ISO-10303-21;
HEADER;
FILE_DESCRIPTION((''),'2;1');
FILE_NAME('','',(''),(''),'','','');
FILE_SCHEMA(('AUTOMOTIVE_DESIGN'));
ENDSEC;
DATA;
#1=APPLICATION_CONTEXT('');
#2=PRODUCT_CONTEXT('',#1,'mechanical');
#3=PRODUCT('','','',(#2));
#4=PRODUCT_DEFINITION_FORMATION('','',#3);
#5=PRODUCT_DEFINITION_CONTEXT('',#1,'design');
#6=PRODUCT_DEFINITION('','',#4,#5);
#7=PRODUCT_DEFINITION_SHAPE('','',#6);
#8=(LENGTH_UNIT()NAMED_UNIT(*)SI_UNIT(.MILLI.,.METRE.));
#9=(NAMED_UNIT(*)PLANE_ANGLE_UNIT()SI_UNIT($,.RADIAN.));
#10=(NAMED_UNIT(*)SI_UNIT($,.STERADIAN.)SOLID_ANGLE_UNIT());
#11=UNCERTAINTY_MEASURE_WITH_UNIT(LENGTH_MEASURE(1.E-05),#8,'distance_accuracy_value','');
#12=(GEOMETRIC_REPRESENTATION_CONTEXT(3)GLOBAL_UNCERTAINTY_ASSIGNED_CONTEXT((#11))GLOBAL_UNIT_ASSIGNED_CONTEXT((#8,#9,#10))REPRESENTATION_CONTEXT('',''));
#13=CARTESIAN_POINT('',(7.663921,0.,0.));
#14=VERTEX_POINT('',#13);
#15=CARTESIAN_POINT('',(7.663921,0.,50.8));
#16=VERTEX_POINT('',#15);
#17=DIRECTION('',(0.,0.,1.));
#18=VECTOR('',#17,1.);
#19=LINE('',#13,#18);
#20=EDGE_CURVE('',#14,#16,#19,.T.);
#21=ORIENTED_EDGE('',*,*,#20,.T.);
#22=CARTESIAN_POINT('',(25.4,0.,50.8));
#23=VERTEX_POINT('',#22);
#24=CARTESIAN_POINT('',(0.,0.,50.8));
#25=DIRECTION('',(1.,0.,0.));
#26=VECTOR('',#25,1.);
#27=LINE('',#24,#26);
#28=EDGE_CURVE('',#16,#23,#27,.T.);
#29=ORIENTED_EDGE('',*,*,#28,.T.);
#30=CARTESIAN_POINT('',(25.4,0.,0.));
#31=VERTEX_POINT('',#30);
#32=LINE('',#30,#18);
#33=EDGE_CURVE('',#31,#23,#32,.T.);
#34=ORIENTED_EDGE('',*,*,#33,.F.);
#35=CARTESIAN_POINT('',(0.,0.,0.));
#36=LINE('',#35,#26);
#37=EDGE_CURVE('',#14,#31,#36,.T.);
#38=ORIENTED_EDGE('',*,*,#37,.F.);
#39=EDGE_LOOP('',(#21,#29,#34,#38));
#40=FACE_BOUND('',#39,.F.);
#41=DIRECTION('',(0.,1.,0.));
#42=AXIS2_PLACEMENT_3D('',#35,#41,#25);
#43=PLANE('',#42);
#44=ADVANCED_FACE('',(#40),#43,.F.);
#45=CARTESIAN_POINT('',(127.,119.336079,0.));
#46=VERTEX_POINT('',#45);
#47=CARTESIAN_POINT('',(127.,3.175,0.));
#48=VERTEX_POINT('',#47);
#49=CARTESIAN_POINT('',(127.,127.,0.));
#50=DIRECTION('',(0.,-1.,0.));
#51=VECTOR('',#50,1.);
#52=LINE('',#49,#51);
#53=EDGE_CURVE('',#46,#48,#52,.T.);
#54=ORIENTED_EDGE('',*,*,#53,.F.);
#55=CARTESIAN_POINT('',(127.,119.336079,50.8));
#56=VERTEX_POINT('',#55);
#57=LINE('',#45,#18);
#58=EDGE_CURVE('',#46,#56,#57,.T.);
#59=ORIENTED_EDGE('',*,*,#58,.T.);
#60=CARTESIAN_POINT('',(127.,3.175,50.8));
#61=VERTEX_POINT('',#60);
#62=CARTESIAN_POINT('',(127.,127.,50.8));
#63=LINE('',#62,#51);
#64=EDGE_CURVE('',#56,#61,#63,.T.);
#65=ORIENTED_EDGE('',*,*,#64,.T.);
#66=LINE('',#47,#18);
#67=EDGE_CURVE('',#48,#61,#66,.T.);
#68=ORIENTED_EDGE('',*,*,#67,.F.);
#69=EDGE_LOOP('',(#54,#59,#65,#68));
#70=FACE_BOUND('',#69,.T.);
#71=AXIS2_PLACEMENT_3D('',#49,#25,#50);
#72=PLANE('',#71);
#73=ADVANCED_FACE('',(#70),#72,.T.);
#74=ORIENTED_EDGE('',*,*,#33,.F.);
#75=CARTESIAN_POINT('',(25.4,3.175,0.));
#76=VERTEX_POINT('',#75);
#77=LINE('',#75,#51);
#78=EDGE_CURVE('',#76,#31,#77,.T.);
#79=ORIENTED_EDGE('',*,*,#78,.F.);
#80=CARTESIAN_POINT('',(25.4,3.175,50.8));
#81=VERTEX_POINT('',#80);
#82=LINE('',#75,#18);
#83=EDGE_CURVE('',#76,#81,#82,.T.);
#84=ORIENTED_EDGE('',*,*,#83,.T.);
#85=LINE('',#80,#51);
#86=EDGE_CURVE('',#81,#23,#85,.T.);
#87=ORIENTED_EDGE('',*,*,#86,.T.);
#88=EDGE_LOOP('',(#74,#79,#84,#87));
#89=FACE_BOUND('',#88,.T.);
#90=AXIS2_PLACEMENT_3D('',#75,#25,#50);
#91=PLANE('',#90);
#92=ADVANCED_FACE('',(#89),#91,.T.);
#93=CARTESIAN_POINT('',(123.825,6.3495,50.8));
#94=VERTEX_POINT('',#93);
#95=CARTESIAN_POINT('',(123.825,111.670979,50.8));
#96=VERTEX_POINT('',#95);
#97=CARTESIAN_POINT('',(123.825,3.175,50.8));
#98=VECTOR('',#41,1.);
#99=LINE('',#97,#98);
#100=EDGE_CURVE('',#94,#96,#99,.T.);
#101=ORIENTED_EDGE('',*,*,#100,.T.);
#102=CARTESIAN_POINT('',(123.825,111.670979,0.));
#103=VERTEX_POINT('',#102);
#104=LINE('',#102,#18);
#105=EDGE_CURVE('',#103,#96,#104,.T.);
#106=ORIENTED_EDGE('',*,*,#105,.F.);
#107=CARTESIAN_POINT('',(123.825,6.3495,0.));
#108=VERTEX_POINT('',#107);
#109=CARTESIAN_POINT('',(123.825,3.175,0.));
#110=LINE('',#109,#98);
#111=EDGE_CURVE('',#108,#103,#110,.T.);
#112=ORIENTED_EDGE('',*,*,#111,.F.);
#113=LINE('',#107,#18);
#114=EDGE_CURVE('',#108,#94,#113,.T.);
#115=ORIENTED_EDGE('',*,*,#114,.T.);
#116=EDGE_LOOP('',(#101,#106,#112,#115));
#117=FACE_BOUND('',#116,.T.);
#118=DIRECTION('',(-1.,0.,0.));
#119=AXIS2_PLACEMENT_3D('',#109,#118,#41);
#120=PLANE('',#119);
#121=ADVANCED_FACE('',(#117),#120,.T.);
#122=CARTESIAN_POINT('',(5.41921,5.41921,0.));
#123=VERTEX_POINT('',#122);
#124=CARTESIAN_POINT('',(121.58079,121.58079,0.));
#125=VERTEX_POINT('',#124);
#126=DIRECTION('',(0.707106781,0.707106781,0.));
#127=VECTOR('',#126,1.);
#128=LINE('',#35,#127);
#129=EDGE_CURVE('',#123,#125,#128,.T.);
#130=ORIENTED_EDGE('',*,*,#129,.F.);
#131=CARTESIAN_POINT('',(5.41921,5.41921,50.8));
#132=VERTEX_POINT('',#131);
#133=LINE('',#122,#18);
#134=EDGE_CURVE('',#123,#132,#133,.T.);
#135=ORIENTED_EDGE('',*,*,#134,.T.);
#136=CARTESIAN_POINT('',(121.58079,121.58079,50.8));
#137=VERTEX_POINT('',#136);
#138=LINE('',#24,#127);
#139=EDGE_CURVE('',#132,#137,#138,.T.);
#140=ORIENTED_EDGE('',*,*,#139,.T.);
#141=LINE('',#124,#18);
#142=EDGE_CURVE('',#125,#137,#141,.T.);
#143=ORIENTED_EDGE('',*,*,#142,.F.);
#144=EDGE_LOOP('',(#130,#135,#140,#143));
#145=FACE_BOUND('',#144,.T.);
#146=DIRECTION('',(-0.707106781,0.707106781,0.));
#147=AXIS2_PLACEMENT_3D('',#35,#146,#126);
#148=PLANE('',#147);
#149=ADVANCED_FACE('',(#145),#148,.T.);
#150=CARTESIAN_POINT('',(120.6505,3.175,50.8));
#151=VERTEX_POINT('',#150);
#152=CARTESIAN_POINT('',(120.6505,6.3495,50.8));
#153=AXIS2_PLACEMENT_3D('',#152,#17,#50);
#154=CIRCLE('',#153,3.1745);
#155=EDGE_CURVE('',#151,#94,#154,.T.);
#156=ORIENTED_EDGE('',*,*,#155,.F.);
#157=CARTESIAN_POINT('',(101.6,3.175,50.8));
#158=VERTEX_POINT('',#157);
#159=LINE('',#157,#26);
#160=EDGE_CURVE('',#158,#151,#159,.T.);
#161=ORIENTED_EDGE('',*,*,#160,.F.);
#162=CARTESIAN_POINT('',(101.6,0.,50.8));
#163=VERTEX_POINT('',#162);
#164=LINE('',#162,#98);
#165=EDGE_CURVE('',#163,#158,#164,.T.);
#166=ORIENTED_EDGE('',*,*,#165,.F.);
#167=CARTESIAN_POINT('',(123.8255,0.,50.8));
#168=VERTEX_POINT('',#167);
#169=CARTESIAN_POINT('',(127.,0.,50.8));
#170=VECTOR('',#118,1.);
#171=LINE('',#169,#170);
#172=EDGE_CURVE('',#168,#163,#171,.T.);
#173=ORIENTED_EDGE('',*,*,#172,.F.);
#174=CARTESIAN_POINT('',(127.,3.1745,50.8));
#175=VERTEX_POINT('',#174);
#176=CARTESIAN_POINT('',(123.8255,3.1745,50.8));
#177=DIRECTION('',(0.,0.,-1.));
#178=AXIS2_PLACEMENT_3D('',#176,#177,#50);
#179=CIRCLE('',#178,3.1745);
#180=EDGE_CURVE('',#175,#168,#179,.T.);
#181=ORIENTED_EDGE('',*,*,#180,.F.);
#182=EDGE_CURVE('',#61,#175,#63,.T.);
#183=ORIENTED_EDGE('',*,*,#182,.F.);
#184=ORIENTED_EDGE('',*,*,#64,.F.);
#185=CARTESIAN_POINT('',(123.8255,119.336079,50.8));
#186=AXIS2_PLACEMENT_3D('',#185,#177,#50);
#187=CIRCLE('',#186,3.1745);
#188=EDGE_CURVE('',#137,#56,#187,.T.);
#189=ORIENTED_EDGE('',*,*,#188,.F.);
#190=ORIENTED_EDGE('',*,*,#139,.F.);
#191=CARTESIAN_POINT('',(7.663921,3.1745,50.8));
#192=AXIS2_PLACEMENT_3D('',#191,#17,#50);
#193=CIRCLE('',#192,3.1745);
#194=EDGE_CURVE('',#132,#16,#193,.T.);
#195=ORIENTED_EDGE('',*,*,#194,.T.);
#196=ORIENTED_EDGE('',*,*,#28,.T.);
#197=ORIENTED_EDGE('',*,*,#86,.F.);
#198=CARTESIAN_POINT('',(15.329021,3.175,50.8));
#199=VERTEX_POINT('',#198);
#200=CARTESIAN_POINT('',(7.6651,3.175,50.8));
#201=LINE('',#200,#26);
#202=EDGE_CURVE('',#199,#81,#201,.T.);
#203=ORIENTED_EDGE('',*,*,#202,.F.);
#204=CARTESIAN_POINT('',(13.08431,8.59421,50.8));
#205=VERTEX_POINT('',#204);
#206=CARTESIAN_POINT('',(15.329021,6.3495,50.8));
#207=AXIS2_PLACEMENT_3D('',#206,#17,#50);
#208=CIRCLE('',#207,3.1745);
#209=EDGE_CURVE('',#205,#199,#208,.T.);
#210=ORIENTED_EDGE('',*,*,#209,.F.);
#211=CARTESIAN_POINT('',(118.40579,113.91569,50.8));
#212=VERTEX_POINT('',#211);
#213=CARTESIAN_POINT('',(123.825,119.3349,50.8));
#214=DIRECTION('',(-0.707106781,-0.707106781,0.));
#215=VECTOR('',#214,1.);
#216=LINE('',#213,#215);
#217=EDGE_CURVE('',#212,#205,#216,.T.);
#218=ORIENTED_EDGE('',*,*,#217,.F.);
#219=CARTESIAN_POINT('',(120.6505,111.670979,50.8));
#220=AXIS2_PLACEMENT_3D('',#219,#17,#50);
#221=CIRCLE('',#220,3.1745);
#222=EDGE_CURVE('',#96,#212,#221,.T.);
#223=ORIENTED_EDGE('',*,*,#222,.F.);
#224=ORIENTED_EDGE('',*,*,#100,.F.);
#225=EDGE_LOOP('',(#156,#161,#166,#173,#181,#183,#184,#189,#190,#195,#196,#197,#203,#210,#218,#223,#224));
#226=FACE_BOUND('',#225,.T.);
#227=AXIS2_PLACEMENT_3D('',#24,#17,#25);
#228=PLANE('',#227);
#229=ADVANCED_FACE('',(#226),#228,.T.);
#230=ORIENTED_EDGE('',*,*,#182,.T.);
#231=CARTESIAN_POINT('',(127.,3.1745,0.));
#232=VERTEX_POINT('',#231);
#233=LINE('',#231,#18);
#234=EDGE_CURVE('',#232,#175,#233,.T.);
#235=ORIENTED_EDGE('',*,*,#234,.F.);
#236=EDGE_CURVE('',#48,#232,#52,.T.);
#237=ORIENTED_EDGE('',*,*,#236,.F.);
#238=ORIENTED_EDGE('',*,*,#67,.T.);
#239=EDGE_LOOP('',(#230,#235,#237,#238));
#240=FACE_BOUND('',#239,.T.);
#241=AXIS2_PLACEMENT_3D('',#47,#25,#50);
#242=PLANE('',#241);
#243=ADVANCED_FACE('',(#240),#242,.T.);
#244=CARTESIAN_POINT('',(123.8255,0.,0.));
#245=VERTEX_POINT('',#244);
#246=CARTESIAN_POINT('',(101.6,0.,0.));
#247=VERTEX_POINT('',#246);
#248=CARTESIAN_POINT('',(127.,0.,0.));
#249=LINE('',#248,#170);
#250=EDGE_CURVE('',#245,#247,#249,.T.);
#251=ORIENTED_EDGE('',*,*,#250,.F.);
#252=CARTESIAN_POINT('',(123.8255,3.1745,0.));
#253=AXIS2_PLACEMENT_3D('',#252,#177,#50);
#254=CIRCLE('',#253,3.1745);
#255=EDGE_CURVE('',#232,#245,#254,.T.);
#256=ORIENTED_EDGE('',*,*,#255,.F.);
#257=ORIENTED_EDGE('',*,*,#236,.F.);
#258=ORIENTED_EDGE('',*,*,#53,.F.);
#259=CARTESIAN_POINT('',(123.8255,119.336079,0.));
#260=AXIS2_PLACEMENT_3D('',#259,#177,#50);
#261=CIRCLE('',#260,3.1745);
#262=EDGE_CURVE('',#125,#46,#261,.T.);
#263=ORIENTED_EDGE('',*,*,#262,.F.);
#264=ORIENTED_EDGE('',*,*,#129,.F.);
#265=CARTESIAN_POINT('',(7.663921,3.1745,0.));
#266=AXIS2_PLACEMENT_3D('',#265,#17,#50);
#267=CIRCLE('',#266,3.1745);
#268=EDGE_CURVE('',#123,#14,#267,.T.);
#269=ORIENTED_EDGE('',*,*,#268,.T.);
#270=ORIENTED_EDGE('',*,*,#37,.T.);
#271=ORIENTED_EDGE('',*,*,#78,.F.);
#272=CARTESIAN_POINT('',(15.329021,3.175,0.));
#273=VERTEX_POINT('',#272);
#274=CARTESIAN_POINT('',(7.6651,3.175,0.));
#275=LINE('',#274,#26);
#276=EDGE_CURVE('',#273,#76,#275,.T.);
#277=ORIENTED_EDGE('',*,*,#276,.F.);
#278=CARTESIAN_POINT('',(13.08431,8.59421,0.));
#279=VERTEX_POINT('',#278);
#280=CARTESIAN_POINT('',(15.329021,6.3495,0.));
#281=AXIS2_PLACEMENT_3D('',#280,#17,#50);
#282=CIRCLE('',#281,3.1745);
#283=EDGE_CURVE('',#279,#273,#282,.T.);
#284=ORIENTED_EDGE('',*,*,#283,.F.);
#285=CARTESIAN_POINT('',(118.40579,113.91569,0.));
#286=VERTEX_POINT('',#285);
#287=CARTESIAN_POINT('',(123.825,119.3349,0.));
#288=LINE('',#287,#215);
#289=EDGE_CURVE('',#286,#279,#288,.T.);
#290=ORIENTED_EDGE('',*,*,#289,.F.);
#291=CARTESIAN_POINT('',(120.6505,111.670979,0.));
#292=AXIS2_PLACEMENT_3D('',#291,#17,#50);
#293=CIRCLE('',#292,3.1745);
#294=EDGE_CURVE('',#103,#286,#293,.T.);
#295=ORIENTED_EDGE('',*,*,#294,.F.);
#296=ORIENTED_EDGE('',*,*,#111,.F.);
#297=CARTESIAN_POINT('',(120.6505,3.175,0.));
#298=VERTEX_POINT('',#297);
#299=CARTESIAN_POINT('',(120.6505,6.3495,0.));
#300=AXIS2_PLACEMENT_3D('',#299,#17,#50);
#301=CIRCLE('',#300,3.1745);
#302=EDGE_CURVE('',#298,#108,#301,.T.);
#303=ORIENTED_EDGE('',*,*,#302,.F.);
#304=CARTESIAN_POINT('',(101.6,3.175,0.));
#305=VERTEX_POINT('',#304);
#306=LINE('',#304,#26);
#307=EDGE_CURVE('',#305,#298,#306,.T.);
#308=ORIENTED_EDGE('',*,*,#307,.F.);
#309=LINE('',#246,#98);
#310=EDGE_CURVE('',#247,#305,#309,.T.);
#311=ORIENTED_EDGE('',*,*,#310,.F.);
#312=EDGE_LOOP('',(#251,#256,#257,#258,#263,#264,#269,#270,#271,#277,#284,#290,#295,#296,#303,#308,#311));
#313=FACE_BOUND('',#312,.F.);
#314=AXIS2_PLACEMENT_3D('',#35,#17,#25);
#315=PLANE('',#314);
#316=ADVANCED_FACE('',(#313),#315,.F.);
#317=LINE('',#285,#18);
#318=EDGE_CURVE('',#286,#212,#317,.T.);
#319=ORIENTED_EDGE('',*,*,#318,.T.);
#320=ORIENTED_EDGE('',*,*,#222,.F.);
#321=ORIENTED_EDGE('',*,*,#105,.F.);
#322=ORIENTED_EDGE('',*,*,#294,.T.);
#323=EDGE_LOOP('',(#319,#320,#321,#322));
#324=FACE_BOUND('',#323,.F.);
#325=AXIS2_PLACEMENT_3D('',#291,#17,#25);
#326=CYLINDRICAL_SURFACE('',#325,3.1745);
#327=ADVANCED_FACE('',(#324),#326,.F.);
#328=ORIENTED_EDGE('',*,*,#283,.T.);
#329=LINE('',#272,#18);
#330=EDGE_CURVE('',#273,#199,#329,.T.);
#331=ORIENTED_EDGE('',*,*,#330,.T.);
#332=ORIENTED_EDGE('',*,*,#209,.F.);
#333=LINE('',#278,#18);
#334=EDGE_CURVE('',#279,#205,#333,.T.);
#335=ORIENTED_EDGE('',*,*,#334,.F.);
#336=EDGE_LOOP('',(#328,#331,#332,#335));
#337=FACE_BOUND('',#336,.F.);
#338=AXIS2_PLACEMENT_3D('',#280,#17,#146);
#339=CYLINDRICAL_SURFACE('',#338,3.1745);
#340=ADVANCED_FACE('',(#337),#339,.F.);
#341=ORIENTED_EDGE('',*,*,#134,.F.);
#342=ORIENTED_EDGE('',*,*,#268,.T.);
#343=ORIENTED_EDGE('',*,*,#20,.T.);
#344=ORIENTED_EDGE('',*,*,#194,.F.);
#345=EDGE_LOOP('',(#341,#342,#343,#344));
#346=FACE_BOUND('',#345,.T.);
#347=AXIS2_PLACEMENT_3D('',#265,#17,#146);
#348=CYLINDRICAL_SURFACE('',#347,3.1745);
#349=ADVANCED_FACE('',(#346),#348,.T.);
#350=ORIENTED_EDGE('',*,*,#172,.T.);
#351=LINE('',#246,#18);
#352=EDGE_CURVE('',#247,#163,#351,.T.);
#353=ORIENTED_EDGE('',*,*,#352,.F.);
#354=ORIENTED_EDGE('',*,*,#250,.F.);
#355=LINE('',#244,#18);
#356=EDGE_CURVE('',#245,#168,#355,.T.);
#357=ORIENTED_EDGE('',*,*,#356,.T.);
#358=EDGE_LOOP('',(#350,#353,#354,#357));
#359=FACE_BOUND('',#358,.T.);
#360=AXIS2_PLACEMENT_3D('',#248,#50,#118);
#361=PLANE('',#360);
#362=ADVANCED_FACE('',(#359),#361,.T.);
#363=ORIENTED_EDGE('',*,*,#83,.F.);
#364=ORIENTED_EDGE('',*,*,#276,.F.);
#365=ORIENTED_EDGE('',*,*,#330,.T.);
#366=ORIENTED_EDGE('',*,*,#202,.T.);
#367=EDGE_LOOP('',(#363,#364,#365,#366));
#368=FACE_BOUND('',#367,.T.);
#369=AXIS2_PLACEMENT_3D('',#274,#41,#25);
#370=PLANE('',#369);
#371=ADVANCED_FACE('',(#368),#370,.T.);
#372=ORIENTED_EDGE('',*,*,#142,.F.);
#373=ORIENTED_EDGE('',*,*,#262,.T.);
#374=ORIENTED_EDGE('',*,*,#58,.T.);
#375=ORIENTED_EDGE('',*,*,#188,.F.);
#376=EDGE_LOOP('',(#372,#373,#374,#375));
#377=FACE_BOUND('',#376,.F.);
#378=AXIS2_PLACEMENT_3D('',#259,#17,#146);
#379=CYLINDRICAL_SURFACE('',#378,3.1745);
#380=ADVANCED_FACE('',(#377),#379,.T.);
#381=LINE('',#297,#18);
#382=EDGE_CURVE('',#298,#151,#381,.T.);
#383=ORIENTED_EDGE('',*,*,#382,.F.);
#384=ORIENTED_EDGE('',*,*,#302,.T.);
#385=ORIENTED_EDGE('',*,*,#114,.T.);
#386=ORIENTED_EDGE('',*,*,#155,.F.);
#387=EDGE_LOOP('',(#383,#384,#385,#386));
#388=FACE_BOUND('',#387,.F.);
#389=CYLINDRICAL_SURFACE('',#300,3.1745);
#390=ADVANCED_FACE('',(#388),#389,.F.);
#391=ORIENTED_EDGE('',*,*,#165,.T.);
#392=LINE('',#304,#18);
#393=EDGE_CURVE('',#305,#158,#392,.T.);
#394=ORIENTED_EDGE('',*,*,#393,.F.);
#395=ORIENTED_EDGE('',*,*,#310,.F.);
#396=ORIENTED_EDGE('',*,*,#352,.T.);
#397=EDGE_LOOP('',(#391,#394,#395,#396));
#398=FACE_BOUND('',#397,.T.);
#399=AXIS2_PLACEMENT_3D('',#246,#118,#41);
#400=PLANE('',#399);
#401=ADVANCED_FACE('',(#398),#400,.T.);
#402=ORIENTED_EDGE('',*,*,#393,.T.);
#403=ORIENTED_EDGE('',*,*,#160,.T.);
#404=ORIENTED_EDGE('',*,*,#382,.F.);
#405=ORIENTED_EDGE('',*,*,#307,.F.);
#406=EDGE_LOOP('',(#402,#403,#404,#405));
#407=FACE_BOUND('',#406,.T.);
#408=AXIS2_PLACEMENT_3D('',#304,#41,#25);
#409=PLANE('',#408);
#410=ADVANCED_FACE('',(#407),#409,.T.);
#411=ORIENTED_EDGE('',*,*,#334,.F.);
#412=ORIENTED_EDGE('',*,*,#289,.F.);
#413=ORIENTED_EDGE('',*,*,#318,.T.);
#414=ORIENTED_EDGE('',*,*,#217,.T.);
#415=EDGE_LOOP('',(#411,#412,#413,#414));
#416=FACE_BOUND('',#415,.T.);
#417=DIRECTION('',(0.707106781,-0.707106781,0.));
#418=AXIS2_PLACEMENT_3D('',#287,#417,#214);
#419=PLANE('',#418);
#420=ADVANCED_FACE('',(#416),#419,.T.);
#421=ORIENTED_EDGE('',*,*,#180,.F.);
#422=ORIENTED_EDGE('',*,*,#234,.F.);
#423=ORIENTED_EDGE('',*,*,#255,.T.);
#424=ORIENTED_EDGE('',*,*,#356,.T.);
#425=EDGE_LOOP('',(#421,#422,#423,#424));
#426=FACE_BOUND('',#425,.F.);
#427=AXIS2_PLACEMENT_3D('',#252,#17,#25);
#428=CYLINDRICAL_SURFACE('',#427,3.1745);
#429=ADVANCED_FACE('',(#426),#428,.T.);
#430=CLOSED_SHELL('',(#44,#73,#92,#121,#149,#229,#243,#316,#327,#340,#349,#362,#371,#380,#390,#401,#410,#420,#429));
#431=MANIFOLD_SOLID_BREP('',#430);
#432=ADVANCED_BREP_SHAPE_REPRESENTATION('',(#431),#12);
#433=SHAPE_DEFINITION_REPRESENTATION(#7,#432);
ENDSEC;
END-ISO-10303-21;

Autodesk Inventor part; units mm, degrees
ref_plane "YZ Plane" through (0, 0, 0) normal (1, 0, 0) x (0, 1, 0)
ref_plane "XZ Plane" through (0, 0, 0) normal (0, 1, 0) x (-1, 0, 0)
ref_plane "XY Plane" through (0, 0, 0) normal (0, 0, 1) x (1, 0, 0)
sketch "Sketch1" plane through (0, 0, 0) normal (0, 0, 1) x (1, 0, 0)
  line L0 (0, 0) -> (25.4, 0)
  line L1 (0, 0) -> (127, 127)
  line L2 (127, 127) -> (127, 0)
  line L3 (123.825, 3.175) -> (123.825, 119.3349)
  line L4 (123.825, 119.3349) -> (7.6651, 3.175)
  line L5 (7.6651, 3.175) -> (25.4, 3.175)
  line L6 (25.4, 3.175) -> (25.4, 0)
  line L7 (127, 0) -> (101.6, 0)
  line L8 (101.6, 0) -> (101.6, 3.175)
  line L9 (127, 3.175) -> (127, 0)
  line L10 (101.6, 3.175) -> (123.825, 3.175)
  dimension "d0" = 127
  dimension "d1" = 127
  dimension "d2" = 25.4
  dimension "d4" = 3.175
  dimension "d5" = 3.175
  dimension "d6" = 3.175
  dimension "d7" = 25.4
  dimension "d8" = 3.175
extrude "Extrusion1" add sketch "Sketch1" along normal blind 50.8
fillet "Fillet1" radius 3.175 6 edges at (7.6651, 3.175, 25.4) (123.825, 119.3349, 25.4) (123.825, 3.175, 25.4) (127, 0, 25.4) (127, 127, 25.4) (0, 0, 25.4)
equation "\"d5\" = d4"
equation "\"d6\" = d5"
equation "\"d8\" = d5"
properties part number "apendage polycarb wedge"
